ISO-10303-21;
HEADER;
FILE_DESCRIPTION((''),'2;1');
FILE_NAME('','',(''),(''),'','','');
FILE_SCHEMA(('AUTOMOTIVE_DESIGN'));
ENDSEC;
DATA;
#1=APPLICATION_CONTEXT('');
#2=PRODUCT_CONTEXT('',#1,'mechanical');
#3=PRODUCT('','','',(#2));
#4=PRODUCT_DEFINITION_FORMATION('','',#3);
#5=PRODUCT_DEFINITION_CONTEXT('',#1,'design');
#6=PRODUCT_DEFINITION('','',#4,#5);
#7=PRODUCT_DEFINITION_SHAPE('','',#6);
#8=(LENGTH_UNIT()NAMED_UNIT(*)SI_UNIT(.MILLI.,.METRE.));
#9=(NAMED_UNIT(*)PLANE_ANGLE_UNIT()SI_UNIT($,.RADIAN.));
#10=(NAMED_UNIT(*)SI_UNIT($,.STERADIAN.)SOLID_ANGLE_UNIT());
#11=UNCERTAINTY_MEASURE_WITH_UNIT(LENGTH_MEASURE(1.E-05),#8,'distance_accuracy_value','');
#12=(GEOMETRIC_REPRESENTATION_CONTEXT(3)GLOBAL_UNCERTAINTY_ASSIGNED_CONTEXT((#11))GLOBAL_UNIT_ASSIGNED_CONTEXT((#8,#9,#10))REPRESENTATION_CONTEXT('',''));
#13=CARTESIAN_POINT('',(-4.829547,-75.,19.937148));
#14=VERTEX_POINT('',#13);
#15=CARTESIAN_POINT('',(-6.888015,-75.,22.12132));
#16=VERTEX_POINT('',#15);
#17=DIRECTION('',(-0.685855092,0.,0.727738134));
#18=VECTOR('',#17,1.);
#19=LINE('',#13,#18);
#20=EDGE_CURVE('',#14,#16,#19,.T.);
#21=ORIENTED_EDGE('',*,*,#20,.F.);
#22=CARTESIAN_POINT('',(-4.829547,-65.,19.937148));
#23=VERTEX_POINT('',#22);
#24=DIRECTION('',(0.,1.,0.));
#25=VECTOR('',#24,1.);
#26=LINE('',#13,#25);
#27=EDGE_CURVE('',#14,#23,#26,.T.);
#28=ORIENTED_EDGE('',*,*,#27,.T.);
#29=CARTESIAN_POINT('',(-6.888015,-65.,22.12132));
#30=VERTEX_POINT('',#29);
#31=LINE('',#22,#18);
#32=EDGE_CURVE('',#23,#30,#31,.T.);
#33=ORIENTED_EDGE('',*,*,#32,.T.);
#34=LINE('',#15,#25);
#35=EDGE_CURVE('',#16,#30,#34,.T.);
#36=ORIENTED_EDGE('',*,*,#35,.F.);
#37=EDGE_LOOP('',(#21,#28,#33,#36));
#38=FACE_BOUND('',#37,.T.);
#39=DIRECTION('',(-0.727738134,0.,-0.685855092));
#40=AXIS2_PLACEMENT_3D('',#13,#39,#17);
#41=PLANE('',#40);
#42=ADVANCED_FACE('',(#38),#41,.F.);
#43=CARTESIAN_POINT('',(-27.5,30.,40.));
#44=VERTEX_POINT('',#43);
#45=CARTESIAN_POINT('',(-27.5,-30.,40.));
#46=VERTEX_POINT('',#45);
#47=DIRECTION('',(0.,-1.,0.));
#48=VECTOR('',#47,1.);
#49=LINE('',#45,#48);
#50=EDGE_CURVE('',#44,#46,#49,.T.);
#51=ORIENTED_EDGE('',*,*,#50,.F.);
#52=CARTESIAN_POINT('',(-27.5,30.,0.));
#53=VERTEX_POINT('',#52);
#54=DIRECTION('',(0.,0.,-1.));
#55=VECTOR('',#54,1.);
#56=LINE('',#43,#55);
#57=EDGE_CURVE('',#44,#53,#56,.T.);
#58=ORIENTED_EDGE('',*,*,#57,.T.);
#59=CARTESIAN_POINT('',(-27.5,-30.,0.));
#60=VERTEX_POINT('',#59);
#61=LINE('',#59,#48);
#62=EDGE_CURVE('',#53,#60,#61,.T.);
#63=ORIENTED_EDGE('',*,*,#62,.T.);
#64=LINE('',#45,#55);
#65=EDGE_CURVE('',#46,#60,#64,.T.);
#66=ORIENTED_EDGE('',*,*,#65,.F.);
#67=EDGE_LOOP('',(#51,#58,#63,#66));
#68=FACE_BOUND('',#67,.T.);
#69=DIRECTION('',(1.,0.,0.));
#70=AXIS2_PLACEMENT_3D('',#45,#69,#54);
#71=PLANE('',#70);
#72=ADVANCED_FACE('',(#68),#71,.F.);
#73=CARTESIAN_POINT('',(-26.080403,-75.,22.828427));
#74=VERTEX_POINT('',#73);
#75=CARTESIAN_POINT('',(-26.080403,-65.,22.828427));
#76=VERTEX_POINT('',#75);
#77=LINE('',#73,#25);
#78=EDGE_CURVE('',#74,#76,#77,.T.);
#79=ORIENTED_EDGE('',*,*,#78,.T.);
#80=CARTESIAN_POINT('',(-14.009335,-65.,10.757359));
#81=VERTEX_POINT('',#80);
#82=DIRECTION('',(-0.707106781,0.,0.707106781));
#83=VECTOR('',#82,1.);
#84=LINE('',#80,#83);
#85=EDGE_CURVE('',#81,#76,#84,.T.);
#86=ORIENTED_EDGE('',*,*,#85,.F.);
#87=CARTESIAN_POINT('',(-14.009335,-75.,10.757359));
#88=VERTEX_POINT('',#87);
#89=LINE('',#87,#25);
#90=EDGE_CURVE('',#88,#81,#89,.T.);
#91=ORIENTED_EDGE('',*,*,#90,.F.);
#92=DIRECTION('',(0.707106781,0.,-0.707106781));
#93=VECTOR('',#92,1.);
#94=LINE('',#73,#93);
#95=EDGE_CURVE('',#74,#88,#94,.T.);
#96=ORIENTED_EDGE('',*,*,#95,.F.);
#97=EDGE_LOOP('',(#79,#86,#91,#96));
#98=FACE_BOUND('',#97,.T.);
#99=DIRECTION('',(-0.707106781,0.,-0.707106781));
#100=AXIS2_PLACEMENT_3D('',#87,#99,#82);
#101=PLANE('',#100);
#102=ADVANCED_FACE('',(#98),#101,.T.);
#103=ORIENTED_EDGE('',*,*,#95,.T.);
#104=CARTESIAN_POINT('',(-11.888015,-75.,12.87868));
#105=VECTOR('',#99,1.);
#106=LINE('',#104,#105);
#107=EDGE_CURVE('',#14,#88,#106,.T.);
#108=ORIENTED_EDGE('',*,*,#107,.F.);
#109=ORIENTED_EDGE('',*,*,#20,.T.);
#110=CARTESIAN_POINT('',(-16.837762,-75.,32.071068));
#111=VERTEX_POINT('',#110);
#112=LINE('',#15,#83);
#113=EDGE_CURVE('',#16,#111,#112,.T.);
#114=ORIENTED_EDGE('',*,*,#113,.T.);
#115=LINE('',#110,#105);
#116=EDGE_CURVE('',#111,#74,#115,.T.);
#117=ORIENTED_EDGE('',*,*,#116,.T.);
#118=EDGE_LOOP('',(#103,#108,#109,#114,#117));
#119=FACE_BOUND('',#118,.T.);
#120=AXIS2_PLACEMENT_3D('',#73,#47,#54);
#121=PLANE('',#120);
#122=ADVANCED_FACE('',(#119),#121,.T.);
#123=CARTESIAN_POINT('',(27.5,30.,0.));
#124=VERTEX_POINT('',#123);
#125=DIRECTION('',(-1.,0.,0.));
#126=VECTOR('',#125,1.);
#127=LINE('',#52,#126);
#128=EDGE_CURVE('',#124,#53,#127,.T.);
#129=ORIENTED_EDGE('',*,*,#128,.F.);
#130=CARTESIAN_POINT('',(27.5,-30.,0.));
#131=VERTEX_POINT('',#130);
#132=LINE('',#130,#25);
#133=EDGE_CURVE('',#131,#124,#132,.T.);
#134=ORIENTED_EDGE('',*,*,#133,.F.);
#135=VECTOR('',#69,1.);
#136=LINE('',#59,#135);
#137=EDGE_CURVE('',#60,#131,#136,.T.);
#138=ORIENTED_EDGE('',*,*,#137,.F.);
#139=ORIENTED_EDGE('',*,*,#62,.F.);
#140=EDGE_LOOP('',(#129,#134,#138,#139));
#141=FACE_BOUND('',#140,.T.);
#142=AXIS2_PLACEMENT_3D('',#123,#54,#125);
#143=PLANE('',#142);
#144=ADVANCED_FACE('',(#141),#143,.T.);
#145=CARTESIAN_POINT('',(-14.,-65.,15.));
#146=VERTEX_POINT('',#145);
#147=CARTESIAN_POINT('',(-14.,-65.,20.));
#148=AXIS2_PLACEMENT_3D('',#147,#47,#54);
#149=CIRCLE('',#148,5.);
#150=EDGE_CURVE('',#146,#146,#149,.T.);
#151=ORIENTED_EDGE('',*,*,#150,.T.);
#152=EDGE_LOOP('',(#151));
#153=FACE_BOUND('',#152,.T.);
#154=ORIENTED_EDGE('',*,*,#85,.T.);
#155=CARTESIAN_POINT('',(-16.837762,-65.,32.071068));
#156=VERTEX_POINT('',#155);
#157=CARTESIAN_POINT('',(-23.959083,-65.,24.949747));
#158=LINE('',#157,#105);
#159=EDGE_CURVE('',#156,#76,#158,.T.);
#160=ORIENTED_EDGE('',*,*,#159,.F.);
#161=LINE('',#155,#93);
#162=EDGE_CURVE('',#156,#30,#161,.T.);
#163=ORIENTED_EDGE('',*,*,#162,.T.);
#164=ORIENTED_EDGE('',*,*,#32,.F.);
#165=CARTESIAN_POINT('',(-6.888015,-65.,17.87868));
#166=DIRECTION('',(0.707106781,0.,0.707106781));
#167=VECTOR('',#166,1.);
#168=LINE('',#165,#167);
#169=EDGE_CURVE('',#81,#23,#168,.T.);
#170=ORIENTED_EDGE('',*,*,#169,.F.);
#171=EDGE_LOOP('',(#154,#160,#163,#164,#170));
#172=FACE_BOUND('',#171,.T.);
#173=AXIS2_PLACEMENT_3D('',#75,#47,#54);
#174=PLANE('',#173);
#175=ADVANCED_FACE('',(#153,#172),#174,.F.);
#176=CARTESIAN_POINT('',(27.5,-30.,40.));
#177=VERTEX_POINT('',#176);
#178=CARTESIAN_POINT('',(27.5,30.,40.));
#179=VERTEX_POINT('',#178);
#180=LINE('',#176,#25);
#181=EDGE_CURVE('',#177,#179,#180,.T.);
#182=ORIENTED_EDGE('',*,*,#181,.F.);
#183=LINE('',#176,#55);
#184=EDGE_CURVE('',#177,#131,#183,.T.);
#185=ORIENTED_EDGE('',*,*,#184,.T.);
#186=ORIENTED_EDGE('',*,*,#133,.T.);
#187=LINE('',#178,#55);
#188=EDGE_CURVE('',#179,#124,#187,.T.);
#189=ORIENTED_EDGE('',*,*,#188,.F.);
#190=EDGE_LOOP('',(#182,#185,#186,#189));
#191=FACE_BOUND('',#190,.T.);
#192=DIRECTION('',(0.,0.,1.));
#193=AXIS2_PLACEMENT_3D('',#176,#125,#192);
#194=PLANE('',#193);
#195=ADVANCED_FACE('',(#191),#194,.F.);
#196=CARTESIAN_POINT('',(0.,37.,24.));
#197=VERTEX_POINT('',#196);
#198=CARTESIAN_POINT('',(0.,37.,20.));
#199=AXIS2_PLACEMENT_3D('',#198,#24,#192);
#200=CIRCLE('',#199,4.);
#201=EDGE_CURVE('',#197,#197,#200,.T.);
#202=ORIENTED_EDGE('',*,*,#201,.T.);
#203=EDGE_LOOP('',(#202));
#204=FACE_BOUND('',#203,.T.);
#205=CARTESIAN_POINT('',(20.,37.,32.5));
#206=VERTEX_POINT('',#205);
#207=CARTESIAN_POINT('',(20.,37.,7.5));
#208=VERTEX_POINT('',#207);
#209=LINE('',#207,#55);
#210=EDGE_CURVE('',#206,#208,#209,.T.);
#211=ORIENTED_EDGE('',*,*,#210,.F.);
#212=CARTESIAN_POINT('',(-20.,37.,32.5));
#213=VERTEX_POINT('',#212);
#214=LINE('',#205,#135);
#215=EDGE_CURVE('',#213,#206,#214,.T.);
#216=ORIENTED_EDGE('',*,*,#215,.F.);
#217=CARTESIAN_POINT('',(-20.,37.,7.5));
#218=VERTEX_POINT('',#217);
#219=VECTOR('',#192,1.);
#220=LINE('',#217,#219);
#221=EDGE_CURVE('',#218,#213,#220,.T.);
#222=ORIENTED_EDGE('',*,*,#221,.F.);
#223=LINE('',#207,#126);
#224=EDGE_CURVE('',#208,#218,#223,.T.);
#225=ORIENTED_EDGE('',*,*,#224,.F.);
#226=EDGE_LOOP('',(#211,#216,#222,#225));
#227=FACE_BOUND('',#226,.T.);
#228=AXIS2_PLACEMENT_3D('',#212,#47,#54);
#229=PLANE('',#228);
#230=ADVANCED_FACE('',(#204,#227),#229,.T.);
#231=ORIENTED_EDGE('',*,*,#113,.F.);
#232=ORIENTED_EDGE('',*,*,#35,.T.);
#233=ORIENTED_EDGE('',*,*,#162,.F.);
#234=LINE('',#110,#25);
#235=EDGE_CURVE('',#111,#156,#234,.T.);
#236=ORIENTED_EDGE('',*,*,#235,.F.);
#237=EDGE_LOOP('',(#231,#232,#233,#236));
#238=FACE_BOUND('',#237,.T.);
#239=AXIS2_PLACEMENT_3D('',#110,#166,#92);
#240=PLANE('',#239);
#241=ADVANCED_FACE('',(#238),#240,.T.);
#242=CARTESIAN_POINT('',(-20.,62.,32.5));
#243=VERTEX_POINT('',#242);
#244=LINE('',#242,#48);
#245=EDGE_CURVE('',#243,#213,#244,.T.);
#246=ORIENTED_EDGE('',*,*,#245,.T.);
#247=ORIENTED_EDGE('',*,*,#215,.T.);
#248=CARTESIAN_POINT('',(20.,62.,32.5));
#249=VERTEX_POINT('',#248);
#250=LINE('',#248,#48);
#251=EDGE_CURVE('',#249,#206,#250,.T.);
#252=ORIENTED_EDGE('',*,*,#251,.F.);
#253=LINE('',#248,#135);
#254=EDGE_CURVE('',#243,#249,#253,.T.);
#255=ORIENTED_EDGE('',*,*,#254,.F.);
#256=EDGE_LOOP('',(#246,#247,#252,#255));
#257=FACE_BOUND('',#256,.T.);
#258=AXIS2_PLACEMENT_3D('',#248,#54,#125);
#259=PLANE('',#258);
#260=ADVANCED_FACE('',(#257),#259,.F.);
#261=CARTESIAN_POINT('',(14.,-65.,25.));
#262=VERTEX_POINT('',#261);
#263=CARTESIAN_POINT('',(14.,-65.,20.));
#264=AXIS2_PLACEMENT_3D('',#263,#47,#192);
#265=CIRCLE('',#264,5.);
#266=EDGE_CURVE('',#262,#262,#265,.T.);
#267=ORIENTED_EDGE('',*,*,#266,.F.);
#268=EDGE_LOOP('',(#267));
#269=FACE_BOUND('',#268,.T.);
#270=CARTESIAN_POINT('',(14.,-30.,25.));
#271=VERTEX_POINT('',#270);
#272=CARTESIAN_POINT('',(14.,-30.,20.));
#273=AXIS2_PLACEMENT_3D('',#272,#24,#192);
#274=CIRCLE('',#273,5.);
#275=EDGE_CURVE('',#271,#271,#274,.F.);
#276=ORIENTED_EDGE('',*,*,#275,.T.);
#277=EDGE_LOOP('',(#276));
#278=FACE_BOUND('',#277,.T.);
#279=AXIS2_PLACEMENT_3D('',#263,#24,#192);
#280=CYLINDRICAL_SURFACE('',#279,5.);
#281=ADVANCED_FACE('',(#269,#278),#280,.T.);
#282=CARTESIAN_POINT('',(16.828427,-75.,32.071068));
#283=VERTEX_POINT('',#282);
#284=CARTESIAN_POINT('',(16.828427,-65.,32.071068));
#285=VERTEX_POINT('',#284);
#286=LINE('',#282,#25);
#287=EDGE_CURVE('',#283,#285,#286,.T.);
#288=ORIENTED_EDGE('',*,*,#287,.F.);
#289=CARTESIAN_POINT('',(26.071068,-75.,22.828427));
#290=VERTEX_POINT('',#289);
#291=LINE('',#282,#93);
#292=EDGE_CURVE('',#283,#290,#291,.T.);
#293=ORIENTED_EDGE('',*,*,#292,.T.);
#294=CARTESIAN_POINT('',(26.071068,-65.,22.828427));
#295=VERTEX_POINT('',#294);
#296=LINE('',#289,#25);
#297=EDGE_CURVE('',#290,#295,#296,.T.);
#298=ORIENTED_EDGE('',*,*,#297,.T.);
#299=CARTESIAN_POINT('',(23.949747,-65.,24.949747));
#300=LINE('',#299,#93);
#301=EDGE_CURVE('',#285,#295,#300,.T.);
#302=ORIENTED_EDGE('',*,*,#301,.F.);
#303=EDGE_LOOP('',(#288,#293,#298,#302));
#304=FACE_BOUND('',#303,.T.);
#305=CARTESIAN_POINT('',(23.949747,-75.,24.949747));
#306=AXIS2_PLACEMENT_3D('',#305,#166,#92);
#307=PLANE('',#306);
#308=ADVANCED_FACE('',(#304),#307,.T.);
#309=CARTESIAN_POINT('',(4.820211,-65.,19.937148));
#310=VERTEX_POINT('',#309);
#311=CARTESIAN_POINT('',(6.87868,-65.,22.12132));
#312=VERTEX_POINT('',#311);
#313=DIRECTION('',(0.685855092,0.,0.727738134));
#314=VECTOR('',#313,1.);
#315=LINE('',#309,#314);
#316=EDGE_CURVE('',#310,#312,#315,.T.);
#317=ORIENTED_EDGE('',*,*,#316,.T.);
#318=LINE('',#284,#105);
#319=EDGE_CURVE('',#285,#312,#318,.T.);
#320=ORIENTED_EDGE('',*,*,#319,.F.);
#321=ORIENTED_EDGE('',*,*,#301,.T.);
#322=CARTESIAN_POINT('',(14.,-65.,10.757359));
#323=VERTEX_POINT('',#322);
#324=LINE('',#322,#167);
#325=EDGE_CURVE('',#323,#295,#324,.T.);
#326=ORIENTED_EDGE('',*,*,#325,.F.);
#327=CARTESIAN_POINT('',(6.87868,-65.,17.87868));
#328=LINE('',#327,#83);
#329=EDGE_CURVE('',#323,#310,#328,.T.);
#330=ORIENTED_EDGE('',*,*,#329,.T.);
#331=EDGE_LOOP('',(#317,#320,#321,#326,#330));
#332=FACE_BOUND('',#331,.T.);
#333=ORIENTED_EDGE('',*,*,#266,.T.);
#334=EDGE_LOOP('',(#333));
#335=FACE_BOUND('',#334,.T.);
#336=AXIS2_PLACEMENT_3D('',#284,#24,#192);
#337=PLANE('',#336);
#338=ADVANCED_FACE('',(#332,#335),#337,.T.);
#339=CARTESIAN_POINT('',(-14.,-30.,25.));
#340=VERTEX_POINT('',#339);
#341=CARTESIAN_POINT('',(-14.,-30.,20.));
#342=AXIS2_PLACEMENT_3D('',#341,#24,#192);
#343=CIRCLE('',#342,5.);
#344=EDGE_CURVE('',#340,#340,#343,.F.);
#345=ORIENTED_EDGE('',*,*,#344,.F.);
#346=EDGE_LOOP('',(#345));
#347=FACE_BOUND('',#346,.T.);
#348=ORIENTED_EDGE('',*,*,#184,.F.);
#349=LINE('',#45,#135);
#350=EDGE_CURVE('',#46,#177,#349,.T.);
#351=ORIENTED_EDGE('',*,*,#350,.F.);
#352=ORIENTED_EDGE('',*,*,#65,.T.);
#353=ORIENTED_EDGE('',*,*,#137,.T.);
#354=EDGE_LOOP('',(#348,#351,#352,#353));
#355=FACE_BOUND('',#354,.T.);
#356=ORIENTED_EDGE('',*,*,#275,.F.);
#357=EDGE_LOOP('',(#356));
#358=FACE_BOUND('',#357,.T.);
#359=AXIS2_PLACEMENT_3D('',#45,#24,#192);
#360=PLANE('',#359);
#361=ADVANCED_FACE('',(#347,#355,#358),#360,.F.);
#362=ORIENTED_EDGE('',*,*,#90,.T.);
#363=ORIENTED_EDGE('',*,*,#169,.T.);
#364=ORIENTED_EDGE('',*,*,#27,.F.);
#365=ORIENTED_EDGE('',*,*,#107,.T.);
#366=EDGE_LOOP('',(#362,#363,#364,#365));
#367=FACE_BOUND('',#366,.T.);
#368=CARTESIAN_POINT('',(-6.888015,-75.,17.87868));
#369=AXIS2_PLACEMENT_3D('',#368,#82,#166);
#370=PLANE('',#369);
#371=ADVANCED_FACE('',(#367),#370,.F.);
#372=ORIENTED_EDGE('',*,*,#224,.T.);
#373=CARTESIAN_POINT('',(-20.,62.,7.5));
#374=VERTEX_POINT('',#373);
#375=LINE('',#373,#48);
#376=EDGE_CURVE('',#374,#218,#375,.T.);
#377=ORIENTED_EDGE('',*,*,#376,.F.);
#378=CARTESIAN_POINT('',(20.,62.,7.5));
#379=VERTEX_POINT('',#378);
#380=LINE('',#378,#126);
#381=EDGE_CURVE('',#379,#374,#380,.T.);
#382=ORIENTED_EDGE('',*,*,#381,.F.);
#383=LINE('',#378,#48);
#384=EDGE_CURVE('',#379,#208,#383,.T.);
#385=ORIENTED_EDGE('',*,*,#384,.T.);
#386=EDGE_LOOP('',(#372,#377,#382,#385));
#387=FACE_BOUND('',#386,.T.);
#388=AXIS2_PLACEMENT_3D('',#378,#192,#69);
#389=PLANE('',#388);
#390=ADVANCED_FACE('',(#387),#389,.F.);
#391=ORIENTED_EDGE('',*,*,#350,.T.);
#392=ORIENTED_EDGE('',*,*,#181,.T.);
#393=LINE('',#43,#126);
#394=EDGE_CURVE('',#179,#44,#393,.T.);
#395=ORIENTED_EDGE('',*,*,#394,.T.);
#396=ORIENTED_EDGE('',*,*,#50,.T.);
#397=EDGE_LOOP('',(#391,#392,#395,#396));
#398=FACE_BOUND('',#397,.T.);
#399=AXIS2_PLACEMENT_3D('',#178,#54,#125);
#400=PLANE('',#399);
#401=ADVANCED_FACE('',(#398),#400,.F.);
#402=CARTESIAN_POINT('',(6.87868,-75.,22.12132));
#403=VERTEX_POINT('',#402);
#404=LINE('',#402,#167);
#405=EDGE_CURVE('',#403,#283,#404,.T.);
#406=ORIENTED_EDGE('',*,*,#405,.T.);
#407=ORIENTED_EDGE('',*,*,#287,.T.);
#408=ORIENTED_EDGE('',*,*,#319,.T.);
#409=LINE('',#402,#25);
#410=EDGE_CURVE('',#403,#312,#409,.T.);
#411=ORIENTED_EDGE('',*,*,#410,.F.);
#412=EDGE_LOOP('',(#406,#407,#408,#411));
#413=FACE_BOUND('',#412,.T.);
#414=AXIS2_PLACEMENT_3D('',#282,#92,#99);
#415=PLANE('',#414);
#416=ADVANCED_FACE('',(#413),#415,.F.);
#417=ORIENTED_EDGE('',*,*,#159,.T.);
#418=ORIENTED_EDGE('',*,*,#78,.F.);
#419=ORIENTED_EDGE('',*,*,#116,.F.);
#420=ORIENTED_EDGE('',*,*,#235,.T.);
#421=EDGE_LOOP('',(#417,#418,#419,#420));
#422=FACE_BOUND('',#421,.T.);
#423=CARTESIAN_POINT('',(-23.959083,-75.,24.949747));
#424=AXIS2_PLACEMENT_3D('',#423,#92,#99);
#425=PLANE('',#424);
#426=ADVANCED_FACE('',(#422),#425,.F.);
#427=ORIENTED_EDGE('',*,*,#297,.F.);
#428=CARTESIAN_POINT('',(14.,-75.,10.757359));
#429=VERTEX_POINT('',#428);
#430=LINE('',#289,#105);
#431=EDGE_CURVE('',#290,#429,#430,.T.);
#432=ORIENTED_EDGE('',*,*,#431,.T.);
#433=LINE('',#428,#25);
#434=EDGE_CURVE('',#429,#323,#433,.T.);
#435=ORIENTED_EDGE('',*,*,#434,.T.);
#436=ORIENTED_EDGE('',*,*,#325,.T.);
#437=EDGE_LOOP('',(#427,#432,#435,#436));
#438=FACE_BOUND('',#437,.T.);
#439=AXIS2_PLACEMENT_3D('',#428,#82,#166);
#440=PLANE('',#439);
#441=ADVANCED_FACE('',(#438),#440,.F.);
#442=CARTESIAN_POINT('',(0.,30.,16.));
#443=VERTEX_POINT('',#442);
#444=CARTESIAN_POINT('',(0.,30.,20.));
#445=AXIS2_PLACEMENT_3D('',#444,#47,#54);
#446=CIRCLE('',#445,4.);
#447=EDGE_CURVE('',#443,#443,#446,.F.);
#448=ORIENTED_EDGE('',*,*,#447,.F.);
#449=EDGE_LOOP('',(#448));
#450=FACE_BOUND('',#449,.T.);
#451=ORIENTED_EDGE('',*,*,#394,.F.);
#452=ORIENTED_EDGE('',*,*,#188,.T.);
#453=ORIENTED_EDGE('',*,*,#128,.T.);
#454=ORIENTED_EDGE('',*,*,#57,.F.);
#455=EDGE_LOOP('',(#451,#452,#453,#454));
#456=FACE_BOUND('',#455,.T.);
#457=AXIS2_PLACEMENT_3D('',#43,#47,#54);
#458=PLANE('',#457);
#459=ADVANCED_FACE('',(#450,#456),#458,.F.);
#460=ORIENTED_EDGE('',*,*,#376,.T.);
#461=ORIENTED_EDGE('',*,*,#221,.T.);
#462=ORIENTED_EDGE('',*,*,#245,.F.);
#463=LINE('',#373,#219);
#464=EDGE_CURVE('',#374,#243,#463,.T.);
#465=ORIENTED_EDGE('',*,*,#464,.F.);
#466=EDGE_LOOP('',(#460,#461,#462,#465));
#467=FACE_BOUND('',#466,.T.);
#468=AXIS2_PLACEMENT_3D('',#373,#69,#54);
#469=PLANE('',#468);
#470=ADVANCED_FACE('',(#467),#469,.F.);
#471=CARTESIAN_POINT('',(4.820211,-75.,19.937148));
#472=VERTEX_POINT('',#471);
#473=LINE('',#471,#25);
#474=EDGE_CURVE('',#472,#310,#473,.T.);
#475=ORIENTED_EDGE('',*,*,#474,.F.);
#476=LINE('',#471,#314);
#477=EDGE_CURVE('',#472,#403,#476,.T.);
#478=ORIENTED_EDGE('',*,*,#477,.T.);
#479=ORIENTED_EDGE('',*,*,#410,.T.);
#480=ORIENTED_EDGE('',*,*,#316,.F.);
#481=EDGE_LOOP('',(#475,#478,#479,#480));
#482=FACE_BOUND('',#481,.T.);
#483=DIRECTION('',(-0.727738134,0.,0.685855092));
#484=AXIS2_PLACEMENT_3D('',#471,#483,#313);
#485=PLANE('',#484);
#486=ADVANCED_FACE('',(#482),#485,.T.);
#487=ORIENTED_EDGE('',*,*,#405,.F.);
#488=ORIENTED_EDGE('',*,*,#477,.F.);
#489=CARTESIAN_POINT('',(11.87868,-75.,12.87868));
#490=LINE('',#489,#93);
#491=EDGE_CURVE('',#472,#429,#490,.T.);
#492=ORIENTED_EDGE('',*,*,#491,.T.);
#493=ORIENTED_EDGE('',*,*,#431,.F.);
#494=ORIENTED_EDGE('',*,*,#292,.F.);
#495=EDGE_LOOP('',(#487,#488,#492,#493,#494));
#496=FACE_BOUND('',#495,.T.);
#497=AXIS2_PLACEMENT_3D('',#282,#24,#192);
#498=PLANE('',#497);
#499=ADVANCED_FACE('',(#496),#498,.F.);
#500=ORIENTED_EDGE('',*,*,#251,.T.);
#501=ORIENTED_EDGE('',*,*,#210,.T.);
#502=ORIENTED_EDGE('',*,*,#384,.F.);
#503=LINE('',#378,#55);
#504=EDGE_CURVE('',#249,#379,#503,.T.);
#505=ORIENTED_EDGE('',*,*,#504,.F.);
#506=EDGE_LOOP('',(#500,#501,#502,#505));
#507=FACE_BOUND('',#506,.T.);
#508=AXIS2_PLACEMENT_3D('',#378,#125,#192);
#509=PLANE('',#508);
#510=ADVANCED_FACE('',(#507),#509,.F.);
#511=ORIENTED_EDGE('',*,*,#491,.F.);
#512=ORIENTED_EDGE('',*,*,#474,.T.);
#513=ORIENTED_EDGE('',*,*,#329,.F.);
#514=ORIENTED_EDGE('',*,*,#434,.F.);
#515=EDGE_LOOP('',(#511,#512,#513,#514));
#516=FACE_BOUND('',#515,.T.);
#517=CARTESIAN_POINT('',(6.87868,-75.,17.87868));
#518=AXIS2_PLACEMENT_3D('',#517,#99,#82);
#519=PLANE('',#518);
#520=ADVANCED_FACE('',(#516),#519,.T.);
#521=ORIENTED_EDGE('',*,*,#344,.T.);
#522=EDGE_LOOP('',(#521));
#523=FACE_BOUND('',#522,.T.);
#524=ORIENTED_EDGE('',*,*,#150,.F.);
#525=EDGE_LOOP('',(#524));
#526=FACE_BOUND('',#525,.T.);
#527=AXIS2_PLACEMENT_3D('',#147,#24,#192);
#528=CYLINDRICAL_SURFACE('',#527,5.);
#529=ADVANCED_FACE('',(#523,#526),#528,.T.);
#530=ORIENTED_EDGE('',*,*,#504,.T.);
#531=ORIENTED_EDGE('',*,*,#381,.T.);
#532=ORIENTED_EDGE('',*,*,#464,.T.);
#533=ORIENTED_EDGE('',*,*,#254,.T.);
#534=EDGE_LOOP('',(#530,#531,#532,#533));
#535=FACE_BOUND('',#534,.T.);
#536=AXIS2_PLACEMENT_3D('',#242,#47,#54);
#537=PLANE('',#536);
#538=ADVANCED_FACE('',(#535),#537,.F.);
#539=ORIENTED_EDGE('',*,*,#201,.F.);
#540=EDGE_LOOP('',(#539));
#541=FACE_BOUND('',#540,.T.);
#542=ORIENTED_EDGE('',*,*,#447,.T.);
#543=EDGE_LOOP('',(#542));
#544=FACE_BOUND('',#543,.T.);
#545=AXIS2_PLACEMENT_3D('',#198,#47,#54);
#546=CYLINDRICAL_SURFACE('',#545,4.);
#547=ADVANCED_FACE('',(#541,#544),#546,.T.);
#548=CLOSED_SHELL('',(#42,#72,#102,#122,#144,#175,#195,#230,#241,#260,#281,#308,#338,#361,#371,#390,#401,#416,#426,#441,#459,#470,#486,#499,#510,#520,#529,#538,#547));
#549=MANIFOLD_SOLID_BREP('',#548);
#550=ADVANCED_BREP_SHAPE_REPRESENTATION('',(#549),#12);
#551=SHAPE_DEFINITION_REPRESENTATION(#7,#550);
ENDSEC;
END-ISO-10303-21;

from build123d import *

# Parameters (mm, degrees)
SKETCH1_W           = 55
SKETCH1_H           = 60
BOSS_EXTRUDE1_DEPTH = 40
SKETCH2_R           = 4
BOSS_EXTRUDE2_DEPTH = 7
SKETCH4_W           = 40
SKETCH4_H           = 25
BOSS_EXTRUDE3_DEPTH = 25
SKETCH5_R           = 5
BOSS_EXTRUDE4_DEPTH = 35
BOSS_EXTRUDE5_DEPTH = 10


with BuildPart() as part:
    # Sketch1 → Boss-Extrude1 (new body)
    with BuildSketch(Plane.XY):
        Rectangle(SKETCH1_W, SKETCH1_H)
    extrude(amount=BOSS_EXTRUDE1_DEPTH)

    # Sketch2 → Boss-Extrude2 (add)
    with BuildSketch(Plane(origin=(0, 30, 0), x_dir=(-1, 0, 0), z_dir=(0, 1, 0))):
        with Locations((0, 20)):
            Circle(SKETCH2_R)
    extrude(amount=BOSS_EXTRUDE2_DEPTH)

    # Sketch4 → Boss-Extrude3 (add)
    with BuildSketch(Plane(origin=(0, 37, 0), x_dir=(1, 0, 0), z_dir=(0, 1, 0))):
        with Locations((0, -20)):
            Rectangle(SKETCH4_W, SKETCH4_H)
    extrude(amount=BOSS_EXTRUDE3_DEPTH)

    # Sketch5 → Boss-Extrude4 (add)
    with BuildSketch(Plane.XZ.offset(30)):
        with Locations((-14, 20)):
            Circle(SKETCH5_R)
        with Locations((14, 20)):
            Circle(SKETCH5_R)
    extrude(amount=BOSS_EXTRUDE4_DEPTH)

    # Sketch6 → Boss-Extrude5 (add)
    with BuildSketch(Plane.XZ.offset(65)):
        Polygon((-11.888014897, 12.878679656), (-6.888014897, 17.878679656), (-4.829546686, 19.937147868), (-6.888014897, 22.121320344), (-11.888014897, 27.121320344), (-16.837762365, 32.071067812), (-18.959082709, 29.949747468), (-23.959082709, 24.949747468), (-26.080403052, 22.828427125), (-21.130655584, 17.878679656), (-16.130655584, 12.878679656), (-14.009335241, 10.757359313), align=None)
        Polygon((18.949747468, 29.949747468), (23.949747468, 24.949747468), (26.071067812, 22.828427125), (21.121320344, 17.878679656), (16.121320344, 12.878679656), (14, 10.757359313), (11.878679656, 12.878679656), (6.878679656, 17.878679656), (4.820211445, 19.937147868), (6.878679656, 22.121320344), (11.878679656, 27.121320344), (16.828427125, 32.071067812), align=None)
    extrude(amount=BOSS_EXTRUDE5_DEPTH)


solid = part.part
